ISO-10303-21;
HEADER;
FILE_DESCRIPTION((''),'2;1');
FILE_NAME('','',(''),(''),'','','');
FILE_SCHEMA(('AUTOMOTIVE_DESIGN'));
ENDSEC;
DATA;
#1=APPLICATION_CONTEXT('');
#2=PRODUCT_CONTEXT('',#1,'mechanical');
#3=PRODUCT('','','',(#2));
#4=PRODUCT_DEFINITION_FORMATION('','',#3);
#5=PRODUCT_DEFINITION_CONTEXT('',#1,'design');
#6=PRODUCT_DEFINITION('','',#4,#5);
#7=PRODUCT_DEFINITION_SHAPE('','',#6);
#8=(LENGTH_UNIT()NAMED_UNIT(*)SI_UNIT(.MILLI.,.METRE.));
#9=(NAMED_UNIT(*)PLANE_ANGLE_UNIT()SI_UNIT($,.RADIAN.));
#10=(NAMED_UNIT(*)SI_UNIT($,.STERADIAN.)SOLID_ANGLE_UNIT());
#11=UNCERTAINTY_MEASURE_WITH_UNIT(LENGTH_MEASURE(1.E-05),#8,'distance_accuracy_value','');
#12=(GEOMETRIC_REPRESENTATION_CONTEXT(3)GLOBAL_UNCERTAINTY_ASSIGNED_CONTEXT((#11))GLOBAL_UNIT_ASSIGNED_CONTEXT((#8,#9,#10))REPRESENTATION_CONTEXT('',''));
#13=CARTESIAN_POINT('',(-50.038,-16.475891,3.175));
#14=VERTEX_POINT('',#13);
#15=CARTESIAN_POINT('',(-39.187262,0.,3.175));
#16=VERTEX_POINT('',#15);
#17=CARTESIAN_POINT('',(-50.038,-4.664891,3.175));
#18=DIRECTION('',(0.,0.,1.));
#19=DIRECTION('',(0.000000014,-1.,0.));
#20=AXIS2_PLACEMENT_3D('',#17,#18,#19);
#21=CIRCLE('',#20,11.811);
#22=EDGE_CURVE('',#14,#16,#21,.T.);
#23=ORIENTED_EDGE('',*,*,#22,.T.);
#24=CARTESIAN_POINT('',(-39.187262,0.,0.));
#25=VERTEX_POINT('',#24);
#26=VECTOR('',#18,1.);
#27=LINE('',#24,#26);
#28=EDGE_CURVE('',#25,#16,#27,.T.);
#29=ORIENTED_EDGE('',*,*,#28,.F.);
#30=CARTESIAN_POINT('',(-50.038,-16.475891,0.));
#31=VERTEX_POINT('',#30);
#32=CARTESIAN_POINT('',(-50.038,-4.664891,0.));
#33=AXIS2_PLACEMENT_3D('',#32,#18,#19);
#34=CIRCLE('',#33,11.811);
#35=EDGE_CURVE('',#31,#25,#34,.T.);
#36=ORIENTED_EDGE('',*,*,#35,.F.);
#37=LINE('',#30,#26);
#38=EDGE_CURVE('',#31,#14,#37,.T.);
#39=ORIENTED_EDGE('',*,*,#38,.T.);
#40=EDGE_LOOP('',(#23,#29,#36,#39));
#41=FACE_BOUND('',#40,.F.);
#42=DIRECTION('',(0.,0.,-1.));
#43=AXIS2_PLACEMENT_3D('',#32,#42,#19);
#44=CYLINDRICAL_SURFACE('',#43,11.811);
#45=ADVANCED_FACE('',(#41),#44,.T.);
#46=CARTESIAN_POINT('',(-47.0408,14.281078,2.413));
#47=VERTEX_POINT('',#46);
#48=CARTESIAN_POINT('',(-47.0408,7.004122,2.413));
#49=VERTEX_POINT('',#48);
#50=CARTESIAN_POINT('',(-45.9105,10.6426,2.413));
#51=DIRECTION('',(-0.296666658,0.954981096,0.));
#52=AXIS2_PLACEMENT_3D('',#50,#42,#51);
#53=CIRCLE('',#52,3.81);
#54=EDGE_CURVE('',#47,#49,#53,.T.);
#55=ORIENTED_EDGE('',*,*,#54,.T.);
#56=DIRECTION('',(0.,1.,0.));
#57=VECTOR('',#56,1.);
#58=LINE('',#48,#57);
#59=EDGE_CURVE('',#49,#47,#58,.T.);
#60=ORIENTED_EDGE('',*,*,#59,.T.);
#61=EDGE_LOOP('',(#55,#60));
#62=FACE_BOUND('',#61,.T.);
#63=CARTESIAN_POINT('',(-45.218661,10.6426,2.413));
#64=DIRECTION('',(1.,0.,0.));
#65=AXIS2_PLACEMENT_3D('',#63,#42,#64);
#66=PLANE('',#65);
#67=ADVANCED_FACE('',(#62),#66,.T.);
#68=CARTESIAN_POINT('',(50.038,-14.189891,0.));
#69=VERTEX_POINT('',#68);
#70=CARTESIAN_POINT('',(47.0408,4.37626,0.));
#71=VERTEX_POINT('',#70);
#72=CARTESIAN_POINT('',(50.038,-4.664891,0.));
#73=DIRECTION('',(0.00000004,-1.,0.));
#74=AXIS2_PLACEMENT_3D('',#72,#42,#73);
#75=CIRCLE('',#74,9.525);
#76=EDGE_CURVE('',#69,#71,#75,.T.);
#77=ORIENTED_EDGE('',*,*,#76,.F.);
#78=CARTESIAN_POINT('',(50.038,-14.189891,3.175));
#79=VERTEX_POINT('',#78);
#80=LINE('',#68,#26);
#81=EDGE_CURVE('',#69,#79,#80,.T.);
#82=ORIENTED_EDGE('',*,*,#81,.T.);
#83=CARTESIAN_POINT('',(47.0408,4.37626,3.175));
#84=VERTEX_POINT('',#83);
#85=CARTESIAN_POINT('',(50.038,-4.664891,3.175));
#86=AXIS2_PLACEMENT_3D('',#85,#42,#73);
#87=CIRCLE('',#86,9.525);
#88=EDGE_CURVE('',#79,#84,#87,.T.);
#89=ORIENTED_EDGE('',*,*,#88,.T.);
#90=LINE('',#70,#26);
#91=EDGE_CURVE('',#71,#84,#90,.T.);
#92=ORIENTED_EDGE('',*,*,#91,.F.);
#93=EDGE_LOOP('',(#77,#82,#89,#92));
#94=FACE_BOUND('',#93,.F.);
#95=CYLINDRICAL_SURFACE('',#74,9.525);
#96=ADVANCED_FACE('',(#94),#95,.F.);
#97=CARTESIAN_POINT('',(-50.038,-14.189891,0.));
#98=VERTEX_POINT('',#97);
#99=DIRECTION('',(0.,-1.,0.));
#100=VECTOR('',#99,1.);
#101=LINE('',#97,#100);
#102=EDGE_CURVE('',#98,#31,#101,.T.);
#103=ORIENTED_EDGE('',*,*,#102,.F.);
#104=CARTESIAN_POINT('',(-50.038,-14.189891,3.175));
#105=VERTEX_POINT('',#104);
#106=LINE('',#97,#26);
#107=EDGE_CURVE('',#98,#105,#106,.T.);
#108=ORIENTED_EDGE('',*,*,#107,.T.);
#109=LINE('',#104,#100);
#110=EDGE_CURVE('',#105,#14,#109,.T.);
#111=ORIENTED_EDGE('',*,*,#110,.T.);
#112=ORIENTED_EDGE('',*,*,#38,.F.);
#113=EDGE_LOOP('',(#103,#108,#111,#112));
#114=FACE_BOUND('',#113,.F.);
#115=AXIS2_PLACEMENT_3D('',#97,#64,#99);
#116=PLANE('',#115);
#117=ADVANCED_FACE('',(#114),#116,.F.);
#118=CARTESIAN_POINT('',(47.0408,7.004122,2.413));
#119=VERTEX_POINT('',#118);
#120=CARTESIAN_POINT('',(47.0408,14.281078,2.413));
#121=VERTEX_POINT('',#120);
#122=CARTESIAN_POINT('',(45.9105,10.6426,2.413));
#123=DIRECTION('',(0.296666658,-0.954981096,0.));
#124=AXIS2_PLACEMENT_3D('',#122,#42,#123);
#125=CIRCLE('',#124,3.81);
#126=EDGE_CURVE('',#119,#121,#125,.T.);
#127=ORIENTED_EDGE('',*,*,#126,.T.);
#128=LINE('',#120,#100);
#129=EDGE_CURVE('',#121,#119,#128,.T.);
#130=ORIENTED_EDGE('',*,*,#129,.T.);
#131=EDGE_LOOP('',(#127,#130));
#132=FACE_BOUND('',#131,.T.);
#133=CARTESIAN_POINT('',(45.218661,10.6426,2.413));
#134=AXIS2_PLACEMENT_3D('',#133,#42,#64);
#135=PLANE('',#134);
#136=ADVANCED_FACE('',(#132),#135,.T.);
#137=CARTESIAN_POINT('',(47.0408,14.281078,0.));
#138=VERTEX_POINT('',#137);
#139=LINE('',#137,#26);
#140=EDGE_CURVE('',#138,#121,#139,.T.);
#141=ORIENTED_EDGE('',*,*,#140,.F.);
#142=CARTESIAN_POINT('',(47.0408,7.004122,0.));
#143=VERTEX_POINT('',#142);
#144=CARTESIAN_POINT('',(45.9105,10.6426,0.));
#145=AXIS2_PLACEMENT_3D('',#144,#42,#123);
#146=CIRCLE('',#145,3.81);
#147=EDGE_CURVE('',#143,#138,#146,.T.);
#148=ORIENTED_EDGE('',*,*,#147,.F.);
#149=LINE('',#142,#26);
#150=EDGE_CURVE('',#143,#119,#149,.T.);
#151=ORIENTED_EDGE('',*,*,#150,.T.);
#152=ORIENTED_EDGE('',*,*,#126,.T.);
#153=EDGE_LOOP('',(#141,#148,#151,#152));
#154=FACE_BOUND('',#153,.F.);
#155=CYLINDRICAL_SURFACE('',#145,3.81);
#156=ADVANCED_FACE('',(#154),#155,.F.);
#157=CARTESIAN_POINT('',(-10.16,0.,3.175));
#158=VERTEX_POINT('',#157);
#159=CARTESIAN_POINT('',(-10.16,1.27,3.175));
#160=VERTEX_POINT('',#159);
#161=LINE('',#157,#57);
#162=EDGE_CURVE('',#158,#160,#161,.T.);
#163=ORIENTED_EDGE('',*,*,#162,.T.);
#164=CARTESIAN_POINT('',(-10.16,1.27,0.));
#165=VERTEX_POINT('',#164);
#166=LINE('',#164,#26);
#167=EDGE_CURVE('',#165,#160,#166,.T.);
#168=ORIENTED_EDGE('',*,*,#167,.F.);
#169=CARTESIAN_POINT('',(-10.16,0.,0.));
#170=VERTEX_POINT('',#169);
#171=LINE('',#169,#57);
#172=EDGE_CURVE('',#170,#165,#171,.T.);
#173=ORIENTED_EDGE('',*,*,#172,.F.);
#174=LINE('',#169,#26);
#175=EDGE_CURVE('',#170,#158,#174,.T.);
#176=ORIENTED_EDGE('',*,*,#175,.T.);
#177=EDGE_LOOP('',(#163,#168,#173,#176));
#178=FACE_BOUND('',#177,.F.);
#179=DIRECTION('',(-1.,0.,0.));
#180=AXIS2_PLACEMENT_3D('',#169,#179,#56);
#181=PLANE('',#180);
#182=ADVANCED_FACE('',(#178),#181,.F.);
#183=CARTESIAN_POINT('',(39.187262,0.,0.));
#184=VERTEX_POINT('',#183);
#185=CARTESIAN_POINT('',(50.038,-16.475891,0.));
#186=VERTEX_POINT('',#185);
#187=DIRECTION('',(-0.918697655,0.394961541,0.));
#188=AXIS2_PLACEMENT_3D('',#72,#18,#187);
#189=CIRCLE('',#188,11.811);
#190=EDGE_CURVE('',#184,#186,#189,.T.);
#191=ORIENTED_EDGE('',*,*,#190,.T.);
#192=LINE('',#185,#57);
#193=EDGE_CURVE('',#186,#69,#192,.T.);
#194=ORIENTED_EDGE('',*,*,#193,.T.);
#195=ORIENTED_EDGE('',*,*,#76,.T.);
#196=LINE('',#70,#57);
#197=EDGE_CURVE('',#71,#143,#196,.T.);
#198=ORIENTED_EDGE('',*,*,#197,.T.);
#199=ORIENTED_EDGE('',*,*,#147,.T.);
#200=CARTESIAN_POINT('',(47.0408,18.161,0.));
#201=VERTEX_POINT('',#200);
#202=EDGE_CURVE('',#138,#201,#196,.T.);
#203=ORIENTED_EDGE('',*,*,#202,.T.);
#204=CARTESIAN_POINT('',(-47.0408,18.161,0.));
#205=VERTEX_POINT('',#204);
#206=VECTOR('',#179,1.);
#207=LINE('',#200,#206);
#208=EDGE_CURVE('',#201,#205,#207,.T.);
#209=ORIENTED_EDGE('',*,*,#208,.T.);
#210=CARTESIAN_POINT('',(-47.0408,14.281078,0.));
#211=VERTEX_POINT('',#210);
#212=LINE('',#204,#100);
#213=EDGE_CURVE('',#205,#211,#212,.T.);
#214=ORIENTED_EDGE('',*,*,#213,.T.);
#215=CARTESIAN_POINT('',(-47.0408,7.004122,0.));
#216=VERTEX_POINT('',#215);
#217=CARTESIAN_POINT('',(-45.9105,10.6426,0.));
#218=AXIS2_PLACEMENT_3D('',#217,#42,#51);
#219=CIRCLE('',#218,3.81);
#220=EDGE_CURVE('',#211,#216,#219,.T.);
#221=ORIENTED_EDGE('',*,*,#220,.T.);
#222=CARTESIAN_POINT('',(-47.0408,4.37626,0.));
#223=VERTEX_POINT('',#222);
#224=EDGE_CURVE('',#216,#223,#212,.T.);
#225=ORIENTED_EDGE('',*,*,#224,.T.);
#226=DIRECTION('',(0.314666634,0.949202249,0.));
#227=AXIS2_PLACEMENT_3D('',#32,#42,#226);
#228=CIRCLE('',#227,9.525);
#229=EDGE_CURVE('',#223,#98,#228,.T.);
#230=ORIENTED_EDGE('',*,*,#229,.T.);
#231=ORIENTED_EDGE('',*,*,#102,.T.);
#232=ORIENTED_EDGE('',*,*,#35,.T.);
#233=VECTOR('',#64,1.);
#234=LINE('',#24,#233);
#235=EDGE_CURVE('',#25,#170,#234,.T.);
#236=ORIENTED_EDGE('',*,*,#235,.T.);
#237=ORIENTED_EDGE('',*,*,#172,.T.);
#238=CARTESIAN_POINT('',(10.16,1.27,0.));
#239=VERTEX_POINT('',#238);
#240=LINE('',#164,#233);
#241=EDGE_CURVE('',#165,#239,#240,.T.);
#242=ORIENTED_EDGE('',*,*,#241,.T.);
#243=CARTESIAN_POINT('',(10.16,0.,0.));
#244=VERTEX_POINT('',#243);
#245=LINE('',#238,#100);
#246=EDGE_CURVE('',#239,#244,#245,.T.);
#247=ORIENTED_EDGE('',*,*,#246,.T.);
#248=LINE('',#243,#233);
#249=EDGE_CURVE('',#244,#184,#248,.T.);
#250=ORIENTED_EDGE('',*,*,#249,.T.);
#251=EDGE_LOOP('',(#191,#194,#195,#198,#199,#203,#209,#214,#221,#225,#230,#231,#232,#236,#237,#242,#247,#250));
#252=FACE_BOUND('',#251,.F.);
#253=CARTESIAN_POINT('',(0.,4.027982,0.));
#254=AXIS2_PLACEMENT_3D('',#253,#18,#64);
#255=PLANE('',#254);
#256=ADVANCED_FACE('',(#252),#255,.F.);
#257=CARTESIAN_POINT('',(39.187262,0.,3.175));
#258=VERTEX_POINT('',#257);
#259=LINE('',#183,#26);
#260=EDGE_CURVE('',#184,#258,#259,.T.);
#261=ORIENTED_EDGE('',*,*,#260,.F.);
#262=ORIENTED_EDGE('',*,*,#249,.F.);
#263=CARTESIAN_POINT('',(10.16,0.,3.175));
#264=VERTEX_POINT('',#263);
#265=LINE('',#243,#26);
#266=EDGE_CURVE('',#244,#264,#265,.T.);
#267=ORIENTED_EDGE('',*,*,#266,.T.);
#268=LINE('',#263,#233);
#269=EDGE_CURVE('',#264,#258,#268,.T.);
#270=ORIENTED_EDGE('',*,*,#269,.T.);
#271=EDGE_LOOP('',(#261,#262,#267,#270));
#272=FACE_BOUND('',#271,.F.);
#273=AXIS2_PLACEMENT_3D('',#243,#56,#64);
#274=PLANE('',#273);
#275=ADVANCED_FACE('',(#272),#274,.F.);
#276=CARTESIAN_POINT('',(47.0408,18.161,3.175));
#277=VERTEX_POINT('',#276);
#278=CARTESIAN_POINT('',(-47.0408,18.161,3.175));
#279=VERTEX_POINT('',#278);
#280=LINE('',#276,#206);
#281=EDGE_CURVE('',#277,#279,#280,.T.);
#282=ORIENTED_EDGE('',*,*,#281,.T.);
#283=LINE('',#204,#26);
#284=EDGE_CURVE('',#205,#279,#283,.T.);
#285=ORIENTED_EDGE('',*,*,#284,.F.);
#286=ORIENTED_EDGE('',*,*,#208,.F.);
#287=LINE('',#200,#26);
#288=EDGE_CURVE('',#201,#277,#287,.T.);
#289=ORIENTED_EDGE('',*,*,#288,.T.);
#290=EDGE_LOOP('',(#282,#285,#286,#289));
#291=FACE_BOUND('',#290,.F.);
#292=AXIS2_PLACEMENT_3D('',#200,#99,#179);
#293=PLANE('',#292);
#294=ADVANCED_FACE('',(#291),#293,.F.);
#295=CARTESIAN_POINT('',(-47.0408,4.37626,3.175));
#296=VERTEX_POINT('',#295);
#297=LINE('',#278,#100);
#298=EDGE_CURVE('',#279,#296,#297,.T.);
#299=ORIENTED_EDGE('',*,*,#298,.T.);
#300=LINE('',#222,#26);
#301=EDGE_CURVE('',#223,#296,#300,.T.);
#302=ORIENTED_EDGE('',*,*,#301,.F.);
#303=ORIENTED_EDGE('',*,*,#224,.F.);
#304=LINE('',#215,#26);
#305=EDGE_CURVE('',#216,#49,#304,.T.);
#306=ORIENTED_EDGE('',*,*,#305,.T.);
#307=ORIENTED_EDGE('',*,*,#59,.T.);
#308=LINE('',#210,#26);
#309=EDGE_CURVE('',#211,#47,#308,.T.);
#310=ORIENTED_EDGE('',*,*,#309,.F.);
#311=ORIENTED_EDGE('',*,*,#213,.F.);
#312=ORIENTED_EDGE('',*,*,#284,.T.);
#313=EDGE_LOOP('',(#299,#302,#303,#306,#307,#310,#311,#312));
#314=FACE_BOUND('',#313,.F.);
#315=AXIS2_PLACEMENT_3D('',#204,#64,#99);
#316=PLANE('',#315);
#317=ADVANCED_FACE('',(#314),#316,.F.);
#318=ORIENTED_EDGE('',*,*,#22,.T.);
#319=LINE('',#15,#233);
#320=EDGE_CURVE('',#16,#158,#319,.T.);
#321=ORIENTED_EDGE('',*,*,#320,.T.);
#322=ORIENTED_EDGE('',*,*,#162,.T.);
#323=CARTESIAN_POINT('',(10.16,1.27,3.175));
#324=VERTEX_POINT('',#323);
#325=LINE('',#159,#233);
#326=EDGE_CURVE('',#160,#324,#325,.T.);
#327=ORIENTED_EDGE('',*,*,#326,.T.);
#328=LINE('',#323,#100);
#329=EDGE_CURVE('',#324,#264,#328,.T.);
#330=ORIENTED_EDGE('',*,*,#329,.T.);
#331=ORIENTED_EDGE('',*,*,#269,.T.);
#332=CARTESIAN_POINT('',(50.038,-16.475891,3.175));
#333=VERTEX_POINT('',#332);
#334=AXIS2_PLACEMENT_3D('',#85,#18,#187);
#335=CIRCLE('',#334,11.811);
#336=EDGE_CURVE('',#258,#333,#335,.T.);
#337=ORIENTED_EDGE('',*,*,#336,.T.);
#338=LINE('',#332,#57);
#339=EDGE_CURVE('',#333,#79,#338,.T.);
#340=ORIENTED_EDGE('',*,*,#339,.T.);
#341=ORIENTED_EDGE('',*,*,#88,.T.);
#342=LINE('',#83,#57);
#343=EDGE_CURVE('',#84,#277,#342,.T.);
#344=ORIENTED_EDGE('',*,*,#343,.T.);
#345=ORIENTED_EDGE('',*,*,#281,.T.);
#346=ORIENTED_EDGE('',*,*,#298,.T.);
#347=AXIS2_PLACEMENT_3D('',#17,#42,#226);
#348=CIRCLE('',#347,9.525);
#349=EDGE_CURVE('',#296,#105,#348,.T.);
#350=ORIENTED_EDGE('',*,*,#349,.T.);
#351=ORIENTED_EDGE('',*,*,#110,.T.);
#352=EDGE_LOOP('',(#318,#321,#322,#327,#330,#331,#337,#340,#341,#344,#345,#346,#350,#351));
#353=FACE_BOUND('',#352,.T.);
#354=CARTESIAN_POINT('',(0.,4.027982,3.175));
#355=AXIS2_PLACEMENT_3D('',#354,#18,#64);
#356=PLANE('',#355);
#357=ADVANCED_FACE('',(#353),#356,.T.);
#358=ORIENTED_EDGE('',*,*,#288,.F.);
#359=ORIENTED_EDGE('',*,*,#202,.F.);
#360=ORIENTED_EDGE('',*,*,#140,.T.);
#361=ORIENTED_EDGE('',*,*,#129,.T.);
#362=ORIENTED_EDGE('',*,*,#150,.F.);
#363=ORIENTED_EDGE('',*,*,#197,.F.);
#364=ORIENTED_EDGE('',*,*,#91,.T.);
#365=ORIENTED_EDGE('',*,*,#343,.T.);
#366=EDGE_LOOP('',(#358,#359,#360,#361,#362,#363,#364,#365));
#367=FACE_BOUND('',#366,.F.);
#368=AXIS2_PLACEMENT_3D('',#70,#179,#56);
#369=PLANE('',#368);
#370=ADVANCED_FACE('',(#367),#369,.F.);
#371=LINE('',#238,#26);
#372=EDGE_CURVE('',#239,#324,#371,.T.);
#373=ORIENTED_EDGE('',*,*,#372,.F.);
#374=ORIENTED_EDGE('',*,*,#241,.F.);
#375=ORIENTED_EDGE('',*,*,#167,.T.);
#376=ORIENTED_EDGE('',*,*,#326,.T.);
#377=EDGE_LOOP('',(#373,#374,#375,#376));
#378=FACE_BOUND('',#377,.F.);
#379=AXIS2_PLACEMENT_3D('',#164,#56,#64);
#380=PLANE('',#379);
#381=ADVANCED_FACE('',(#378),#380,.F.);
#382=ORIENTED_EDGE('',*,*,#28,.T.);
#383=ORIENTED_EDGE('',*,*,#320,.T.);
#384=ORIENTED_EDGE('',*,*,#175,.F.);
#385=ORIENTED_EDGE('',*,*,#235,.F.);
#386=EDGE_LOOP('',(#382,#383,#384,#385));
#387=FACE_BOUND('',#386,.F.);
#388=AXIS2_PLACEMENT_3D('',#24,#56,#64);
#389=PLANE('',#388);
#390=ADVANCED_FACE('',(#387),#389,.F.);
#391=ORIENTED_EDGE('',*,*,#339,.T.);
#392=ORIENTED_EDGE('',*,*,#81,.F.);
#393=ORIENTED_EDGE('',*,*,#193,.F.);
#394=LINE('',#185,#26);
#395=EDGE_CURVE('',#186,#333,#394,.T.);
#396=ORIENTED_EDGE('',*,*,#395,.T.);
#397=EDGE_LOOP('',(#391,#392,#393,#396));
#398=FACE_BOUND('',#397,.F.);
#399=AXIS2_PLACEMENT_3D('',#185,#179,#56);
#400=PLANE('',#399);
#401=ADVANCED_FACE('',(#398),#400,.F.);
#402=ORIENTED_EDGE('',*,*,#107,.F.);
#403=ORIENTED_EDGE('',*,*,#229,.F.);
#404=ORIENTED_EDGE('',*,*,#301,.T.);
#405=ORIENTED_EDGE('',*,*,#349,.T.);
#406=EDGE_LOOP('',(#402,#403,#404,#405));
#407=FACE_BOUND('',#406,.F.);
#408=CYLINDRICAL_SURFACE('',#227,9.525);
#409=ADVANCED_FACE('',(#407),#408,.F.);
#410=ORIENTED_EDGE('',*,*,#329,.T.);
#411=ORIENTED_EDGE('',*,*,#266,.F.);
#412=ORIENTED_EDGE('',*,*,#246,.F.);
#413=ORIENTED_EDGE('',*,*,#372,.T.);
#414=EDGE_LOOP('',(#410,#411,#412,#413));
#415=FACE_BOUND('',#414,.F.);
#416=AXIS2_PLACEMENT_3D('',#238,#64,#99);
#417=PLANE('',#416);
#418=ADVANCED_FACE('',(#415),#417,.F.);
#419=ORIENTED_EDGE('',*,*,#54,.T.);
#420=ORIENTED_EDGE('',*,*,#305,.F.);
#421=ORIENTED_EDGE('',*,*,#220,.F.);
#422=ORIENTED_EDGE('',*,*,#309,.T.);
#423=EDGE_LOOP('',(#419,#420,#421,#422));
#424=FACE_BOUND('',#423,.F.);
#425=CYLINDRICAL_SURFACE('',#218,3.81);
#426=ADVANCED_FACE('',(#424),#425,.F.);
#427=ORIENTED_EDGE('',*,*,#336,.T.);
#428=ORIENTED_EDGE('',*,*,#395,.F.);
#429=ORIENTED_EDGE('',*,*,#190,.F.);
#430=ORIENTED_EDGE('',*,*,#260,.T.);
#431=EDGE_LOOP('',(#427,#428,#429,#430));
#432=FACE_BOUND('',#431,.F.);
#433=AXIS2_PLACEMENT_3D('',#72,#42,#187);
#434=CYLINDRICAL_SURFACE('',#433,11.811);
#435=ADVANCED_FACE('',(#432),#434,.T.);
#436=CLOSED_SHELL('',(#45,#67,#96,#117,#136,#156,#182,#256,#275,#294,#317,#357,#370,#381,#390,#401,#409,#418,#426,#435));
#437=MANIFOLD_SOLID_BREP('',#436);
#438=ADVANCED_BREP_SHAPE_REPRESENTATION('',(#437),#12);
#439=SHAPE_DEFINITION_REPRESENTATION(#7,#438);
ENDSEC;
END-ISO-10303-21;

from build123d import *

# Parameters (mm, degrees)
F1_DEPTH = 3.175
F3_DEPTH = 2.413


with BuildPart() as f1:
    # F0 (on Top) → F1 (new body)
    with BuildSketch(Plane.XY):
        with BuildLine():
            Line((47.0408, 18.161), (-47.0408, 18.161))
            Line((-47.0408, 18.161), (-47.0408, 4.37626))
            ThreePointArc((-47.0408, 4.37626), (-40.63474, -6.182893), (-50.038, -14.189891))
            Line((-50.038, -14.189891), (-50.038, -16.475891))
            ThreePointArc((-50.038, -16.475891), (-40.174006, -11.161147), (-39.187262, 0))
            Line((-39.187262, 0), (-10.16, 0))
            Line((-10.16, 0), (-10.16, 1.27))
            Line((-10.16, 1.27), (10.16, 1.27))
            Line((10.16, 1.27), (10.16, 0))
            Line((10.16, 0), (39.187262, 0))
            ThreePointArc((39.187262, 0), (40.174006, -11.161147), (50.038, -16.475891))
            Line((50.038, -16.475891), (50.038, -14.189891))
            ThreePointArc((50.038, -14.189891), (40.63474, -6.182893), (47.0408, 4.37626))
            Line((47.0408, 4.37626), (47.0408, 18.161))
        make_face()
    extrude(amount=F1_DEPTH)

    # F2 (on face) → F3 (cut)
    with BuildSketch(Plane(origin=(0, 0, 0), x_dir=(1, 0, 0), z_dir=(0, 0, -1))):
        with BuildLine():
            Line((-47.0408, -7.004122), (-47.0408, -14.281078))
            ThreePointArc((-47.0408, -14.281078), (-42.1005, -10.6426), (-47.0408, -7.004122))
        make_face()
        with BuildLine():
            ThreePointArc((47.0408, -7.004122), (42.1005, -10.6426), (47.0408, -14.281078))
            Line((47.0408, -14.281078), (47.0408, -7.004122))
        make_face()
    extrude(amount=-F3_DEPTH, mode=Mode.SUBTRACT)


solid = f1.part
